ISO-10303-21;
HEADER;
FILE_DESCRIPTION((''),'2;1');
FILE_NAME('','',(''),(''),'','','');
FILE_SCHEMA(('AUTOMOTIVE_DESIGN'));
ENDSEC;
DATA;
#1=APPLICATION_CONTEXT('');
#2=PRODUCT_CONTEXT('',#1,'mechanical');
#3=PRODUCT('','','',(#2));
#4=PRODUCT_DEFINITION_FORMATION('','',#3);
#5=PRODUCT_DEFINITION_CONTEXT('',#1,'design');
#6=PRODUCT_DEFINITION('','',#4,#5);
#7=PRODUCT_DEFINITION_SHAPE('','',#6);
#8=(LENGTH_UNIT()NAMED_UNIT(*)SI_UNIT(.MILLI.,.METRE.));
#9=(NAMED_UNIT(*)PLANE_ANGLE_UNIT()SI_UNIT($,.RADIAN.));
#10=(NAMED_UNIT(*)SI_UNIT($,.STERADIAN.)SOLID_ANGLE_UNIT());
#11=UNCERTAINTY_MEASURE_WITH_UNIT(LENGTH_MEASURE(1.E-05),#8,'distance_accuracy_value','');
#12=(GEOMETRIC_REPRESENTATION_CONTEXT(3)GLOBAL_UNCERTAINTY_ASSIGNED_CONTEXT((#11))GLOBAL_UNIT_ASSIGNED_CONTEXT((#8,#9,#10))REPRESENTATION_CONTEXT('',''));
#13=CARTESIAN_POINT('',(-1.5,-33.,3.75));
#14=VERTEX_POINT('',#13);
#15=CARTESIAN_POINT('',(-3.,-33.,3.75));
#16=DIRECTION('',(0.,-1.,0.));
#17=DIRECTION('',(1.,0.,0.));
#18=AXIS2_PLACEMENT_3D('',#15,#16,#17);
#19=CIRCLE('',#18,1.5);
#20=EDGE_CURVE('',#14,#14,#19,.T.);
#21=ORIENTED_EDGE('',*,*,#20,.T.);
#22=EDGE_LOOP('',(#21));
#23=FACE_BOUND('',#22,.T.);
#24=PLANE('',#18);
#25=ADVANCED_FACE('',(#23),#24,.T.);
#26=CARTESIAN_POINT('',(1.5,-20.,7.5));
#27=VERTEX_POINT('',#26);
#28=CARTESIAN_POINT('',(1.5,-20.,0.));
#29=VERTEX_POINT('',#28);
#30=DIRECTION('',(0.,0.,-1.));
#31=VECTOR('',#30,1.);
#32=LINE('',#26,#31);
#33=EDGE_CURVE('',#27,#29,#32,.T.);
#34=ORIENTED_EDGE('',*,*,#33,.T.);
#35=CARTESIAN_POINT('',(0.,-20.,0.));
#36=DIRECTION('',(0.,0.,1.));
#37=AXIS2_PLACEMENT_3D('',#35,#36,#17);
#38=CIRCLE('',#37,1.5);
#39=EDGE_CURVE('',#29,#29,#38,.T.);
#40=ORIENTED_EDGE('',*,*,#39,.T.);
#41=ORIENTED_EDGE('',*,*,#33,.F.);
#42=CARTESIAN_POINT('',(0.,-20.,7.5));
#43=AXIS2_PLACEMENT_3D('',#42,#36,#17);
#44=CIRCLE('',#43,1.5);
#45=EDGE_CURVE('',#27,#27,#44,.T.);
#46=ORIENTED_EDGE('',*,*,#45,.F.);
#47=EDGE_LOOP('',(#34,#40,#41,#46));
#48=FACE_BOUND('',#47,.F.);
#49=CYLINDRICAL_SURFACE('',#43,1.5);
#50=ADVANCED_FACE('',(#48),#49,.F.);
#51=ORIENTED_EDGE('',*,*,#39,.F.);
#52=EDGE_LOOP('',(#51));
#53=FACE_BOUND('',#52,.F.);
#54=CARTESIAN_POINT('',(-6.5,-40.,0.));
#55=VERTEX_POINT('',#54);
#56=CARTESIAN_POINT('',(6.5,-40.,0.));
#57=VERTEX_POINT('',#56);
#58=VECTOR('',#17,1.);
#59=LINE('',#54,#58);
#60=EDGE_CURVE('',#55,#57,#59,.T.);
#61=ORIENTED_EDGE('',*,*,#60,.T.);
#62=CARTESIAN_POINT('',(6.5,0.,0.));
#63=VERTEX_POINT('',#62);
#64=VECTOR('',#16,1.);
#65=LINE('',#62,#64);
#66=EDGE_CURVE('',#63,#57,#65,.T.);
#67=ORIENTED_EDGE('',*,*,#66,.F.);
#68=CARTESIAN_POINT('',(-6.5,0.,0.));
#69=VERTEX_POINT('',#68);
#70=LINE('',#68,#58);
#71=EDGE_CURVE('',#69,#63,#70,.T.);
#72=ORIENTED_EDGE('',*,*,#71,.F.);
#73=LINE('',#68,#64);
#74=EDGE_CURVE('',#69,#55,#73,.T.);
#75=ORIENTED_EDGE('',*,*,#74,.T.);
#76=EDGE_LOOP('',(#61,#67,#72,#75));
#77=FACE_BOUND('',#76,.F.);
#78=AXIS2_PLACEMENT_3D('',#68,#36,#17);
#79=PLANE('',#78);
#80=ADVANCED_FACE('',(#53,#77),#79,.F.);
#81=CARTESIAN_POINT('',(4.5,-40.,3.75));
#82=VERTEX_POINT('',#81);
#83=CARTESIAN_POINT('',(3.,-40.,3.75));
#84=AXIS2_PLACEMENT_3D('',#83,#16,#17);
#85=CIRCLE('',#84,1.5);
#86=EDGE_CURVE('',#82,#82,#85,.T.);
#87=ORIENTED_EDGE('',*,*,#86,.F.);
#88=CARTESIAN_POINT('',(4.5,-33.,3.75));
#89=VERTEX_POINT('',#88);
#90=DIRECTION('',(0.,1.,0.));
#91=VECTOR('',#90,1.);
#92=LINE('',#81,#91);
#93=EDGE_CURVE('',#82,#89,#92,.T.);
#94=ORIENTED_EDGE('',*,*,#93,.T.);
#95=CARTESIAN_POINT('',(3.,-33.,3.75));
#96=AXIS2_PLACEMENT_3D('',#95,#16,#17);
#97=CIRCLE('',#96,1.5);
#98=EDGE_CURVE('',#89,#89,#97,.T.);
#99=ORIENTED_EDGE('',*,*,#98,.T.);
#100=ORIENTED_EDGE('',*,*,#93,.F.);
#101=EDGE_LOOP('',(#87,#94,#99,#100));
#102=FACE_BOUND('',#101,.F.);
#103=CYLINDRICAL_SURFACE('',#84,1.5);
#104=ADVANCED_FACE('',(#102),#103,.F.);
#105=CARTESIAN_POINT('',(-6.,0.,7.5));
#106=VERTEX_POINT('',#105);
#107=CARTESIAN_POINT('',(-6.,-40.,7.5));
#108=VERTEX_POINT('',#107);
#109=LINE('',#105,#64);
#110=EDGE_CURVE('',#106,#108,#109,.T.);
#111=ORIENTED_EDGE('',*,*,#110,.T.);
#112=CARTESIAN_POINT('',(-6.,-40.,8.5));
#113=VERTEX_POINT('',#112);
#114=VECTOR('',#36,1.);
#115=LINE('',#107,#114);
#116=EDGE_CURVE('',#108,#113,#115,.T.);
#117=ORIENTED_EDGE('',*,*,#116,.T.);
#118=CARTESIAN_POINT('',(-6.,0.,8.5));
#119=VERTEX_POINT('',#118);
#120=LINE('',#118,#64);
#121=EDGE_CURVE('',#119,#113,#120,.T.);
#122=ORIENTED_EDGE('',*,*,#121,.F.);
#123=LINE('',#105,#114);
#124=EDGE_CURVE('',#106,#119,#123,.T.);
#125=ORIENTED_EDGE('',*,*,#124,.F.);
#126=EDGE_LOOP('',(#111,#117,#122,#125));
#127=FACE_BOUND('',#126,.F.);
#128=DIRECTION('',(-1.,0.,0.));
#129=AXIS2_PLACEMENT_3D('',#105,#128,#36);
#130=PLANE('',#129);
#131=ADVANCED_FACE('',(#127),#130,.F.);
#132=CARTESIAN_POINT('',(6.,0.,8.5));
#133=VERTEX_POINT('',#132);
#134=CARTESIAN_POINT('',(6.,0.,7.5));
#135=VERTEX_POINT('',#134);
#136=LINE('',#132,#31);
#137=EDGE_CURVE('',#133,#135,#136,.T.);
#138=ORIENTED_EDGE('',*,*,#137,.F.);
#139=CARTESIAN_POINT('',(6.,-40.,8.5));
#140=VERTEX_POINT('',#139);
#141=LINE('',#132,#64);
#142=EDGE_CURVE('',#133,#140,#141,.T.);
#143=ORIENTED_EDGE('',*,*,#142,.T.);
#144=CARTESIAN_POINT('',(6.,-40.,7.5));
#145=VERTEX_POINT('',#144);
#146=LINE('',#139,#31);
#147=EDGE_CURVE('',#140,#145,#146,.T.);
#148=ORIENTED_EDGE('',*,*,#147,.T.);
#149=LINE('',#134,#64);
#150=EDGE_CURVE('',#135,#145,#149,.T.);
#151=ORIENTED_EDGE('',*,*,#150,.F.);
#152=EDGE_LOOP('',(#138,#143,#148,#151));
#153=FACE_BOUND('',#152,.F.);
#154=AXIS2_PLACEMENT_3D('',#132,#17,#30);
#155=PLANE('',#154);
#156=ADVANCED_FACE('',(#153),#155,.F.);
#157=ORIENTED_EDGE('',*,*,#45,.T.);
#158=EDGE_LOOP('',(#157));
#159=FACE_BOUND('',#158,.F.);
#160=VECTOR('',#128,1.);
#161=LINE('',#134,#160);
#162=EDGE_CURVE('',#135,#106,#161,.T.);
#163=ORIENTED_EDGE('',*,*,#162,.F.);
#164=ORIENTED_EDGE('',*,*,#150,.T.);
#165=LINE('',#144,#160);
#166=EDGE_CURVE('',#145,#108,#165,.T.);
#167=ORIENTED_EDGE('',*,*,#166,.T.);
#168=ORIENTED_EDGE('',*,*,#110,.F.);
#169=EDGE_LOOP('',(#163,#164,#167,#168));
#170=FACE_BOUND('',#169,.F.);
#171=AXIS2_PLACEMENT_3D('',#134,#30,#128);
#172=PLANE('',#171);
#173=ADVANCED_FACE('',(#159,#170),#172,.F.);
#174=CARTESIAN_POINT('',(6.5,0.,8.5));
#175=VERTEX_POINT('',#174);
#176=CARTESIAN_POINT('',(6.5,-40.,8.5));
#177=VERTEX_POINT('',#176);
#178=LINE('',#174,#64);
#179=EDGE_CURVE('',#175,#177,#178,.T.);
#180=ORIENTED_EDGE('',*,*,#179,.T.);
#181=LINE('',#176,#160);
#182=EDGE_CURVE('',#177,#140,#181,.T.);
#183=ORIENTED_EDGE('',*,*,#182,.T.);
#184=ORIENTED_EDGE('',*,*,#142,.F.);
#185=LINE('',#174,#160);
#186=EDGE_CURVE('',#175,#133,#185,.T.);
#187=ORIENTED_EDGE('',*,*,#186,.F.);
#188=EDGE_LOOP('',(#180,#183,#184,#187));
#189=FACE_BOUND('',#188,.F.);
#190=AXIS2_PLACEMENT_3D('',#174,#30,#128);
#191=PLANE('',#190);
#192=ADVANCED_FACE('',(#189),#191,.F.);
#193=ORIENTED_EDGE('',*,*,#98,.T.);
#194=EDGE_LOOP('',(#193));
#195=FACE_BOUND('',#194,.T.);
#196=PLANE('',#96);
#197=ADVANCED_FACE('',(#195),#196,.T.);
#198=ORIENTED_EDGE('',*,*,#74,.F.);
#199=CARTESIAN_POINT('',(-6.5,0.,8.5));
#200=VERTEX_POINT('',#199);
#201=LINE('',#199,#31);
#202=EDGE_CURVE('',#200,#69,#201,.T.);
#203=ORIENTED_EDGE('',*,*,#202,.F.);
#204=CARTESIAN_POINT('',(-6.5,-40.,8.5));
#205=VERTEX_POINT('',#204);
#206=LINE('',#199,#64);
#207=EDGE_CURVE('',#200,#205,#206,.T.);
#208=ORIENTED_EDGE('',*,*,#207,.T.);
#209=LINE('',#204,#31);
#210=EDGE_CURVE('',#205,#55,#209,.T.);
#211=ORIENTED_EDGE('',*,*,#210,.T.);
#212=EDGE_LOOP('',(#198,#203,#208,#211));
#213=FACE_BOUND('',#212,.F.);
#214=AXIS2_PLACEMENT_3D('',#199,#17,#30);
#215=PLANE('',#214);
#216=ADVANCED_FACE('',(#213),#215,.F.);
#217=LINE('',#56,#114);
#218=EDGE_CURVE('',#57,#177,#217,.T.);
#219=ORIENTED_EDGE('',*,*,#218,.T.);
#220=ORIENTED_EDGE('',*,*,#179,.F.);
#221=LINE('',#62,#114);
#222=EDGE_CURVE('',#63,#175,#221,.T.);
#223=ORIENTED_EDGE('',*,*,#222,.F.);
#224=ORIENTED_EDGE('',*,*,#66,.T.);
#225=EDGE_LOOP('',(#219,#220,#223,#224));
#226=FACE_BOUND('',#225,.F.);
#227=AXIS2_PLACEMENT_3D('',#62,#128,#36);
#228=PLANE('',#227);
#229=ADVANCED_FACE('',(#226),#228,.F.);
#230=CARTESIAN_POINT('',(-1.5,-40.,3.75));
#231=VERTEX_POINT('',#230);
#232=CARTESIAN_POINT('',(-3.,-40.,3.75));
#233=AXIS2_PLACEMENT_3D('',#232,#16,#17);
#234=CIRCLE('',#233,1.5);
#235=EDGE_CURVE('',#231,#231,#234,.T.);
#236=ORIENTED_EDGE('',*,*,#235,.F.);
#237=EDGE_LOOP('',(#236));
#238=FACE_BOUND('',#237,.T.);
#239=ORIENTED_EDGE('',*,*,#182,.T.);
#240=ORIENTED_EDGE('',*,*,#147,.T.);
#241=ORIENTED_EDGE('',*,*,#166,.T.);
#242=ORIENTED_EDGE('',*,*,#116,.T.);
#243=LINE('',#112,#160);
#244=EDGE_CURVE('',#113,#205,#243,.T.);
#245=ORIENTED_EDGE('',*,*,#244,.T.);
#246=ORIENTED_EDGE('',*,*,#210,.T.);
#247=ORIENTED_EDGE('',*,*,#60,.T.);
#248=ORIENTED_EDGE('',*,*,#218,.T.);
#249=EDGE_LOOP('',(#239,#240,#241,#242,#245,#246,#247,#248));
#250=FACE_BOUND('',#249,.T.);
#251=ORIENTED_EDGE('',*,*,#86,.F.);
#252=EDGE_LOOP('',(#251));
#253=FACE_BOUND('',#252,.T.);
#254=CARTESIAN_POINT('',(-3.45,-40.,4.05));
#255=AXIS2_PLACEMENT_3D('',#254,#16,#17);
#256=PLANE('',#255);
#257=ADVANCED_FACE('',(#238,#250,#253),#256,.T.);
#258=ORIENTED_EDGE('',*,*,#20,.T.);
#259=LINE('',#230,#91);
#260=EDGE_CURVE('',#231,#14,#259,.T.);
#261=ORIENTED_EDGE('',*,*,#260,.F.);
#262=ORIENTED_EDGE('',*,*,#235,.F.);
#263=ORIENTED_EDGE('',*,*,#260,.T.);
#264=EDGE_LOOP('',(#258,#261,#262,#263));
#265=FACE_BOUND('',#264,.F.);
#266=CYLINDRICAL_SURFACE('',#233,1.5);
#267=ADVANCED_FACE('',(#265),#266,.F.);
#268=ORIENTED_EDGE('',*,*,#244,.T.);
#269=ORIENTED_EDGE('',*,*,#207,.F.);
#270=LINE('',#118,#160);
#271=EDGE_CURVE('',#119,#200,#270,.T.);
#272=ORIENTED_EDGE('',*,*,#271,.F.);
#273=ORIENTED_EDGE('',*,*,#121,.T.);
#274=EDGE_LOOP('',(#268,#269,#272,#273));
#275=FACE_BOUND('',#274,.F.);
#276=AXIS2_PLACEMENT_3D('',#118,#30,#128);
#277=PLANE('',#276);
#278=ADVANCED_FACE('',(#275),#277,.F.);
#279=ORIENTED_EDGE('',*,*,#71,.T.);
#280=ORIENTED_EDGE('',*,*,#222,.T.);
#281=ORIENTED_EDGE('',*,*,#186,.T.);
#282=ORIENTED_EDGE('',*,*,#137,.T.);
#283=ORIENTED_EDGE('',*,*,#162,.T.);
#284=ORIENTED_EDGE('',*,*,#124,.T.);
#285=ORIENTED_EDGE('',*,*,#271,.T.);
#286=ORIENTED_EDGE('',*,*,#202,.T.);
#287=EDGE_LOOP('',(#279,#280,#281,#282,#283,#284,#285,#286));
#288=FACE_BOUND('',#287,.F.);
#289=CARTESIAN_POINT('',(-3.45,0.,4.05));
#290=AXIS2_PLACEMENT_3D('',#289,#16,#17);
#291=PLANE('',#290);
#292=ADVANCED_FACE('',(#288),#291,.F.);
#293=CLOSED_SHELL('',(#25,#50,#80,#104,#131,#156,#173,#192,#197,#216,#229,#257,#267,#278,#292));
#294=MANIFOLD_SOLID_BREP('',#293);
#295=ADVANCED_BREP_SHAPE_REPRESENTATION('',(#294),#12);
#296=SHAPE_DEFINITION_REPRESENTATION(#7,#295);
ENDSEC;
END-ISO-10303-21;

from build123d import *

# Parameters (mm, degrees)
F1_DEPTH = 40
F2_R     = 1.5
F3_DEPTH = 25
F4_R     = 1.5
F5_DEPTH = 7


with BuildPart() as f1:
    # F0 (on Front) → F1 (new body)
    with BuildSketch(Plane.XZ):
        Polygon((0, 0), (0, 7.5), (-6, 7.5), (-6, 8.5), (-6.5, 8.5), (-6.5, 0), align=None)
        Polygon((6, 7.5), (0, 7.5), (0, 0), (6.5, 0), (6.5, 8.5), (6, 8.5), align=None)
    extrude(amount=F1_DEPTH)

    # F2 (on face) → F3 (cut)
    with BuildSketch(Plane.XY.offset(7.5)):
        with Locations((0, -20)):
            Circle(F2_R)
    extrude(amount=-F3_DEPTH, mode=Mode.SUBTRACT)

    # F4 (on face) → F5 (cut)
    with BuildSketch(Plane.XZ.offset(40)):
        with Locations((-3, 3.75)):
            Circle(F4_R)
        with Locations((3, 3.75)):
            Circle(F4_R)
    extrude(amount=-F5_DEPTH, mode=Mode.SUBTRACT)


solid = f1.part
